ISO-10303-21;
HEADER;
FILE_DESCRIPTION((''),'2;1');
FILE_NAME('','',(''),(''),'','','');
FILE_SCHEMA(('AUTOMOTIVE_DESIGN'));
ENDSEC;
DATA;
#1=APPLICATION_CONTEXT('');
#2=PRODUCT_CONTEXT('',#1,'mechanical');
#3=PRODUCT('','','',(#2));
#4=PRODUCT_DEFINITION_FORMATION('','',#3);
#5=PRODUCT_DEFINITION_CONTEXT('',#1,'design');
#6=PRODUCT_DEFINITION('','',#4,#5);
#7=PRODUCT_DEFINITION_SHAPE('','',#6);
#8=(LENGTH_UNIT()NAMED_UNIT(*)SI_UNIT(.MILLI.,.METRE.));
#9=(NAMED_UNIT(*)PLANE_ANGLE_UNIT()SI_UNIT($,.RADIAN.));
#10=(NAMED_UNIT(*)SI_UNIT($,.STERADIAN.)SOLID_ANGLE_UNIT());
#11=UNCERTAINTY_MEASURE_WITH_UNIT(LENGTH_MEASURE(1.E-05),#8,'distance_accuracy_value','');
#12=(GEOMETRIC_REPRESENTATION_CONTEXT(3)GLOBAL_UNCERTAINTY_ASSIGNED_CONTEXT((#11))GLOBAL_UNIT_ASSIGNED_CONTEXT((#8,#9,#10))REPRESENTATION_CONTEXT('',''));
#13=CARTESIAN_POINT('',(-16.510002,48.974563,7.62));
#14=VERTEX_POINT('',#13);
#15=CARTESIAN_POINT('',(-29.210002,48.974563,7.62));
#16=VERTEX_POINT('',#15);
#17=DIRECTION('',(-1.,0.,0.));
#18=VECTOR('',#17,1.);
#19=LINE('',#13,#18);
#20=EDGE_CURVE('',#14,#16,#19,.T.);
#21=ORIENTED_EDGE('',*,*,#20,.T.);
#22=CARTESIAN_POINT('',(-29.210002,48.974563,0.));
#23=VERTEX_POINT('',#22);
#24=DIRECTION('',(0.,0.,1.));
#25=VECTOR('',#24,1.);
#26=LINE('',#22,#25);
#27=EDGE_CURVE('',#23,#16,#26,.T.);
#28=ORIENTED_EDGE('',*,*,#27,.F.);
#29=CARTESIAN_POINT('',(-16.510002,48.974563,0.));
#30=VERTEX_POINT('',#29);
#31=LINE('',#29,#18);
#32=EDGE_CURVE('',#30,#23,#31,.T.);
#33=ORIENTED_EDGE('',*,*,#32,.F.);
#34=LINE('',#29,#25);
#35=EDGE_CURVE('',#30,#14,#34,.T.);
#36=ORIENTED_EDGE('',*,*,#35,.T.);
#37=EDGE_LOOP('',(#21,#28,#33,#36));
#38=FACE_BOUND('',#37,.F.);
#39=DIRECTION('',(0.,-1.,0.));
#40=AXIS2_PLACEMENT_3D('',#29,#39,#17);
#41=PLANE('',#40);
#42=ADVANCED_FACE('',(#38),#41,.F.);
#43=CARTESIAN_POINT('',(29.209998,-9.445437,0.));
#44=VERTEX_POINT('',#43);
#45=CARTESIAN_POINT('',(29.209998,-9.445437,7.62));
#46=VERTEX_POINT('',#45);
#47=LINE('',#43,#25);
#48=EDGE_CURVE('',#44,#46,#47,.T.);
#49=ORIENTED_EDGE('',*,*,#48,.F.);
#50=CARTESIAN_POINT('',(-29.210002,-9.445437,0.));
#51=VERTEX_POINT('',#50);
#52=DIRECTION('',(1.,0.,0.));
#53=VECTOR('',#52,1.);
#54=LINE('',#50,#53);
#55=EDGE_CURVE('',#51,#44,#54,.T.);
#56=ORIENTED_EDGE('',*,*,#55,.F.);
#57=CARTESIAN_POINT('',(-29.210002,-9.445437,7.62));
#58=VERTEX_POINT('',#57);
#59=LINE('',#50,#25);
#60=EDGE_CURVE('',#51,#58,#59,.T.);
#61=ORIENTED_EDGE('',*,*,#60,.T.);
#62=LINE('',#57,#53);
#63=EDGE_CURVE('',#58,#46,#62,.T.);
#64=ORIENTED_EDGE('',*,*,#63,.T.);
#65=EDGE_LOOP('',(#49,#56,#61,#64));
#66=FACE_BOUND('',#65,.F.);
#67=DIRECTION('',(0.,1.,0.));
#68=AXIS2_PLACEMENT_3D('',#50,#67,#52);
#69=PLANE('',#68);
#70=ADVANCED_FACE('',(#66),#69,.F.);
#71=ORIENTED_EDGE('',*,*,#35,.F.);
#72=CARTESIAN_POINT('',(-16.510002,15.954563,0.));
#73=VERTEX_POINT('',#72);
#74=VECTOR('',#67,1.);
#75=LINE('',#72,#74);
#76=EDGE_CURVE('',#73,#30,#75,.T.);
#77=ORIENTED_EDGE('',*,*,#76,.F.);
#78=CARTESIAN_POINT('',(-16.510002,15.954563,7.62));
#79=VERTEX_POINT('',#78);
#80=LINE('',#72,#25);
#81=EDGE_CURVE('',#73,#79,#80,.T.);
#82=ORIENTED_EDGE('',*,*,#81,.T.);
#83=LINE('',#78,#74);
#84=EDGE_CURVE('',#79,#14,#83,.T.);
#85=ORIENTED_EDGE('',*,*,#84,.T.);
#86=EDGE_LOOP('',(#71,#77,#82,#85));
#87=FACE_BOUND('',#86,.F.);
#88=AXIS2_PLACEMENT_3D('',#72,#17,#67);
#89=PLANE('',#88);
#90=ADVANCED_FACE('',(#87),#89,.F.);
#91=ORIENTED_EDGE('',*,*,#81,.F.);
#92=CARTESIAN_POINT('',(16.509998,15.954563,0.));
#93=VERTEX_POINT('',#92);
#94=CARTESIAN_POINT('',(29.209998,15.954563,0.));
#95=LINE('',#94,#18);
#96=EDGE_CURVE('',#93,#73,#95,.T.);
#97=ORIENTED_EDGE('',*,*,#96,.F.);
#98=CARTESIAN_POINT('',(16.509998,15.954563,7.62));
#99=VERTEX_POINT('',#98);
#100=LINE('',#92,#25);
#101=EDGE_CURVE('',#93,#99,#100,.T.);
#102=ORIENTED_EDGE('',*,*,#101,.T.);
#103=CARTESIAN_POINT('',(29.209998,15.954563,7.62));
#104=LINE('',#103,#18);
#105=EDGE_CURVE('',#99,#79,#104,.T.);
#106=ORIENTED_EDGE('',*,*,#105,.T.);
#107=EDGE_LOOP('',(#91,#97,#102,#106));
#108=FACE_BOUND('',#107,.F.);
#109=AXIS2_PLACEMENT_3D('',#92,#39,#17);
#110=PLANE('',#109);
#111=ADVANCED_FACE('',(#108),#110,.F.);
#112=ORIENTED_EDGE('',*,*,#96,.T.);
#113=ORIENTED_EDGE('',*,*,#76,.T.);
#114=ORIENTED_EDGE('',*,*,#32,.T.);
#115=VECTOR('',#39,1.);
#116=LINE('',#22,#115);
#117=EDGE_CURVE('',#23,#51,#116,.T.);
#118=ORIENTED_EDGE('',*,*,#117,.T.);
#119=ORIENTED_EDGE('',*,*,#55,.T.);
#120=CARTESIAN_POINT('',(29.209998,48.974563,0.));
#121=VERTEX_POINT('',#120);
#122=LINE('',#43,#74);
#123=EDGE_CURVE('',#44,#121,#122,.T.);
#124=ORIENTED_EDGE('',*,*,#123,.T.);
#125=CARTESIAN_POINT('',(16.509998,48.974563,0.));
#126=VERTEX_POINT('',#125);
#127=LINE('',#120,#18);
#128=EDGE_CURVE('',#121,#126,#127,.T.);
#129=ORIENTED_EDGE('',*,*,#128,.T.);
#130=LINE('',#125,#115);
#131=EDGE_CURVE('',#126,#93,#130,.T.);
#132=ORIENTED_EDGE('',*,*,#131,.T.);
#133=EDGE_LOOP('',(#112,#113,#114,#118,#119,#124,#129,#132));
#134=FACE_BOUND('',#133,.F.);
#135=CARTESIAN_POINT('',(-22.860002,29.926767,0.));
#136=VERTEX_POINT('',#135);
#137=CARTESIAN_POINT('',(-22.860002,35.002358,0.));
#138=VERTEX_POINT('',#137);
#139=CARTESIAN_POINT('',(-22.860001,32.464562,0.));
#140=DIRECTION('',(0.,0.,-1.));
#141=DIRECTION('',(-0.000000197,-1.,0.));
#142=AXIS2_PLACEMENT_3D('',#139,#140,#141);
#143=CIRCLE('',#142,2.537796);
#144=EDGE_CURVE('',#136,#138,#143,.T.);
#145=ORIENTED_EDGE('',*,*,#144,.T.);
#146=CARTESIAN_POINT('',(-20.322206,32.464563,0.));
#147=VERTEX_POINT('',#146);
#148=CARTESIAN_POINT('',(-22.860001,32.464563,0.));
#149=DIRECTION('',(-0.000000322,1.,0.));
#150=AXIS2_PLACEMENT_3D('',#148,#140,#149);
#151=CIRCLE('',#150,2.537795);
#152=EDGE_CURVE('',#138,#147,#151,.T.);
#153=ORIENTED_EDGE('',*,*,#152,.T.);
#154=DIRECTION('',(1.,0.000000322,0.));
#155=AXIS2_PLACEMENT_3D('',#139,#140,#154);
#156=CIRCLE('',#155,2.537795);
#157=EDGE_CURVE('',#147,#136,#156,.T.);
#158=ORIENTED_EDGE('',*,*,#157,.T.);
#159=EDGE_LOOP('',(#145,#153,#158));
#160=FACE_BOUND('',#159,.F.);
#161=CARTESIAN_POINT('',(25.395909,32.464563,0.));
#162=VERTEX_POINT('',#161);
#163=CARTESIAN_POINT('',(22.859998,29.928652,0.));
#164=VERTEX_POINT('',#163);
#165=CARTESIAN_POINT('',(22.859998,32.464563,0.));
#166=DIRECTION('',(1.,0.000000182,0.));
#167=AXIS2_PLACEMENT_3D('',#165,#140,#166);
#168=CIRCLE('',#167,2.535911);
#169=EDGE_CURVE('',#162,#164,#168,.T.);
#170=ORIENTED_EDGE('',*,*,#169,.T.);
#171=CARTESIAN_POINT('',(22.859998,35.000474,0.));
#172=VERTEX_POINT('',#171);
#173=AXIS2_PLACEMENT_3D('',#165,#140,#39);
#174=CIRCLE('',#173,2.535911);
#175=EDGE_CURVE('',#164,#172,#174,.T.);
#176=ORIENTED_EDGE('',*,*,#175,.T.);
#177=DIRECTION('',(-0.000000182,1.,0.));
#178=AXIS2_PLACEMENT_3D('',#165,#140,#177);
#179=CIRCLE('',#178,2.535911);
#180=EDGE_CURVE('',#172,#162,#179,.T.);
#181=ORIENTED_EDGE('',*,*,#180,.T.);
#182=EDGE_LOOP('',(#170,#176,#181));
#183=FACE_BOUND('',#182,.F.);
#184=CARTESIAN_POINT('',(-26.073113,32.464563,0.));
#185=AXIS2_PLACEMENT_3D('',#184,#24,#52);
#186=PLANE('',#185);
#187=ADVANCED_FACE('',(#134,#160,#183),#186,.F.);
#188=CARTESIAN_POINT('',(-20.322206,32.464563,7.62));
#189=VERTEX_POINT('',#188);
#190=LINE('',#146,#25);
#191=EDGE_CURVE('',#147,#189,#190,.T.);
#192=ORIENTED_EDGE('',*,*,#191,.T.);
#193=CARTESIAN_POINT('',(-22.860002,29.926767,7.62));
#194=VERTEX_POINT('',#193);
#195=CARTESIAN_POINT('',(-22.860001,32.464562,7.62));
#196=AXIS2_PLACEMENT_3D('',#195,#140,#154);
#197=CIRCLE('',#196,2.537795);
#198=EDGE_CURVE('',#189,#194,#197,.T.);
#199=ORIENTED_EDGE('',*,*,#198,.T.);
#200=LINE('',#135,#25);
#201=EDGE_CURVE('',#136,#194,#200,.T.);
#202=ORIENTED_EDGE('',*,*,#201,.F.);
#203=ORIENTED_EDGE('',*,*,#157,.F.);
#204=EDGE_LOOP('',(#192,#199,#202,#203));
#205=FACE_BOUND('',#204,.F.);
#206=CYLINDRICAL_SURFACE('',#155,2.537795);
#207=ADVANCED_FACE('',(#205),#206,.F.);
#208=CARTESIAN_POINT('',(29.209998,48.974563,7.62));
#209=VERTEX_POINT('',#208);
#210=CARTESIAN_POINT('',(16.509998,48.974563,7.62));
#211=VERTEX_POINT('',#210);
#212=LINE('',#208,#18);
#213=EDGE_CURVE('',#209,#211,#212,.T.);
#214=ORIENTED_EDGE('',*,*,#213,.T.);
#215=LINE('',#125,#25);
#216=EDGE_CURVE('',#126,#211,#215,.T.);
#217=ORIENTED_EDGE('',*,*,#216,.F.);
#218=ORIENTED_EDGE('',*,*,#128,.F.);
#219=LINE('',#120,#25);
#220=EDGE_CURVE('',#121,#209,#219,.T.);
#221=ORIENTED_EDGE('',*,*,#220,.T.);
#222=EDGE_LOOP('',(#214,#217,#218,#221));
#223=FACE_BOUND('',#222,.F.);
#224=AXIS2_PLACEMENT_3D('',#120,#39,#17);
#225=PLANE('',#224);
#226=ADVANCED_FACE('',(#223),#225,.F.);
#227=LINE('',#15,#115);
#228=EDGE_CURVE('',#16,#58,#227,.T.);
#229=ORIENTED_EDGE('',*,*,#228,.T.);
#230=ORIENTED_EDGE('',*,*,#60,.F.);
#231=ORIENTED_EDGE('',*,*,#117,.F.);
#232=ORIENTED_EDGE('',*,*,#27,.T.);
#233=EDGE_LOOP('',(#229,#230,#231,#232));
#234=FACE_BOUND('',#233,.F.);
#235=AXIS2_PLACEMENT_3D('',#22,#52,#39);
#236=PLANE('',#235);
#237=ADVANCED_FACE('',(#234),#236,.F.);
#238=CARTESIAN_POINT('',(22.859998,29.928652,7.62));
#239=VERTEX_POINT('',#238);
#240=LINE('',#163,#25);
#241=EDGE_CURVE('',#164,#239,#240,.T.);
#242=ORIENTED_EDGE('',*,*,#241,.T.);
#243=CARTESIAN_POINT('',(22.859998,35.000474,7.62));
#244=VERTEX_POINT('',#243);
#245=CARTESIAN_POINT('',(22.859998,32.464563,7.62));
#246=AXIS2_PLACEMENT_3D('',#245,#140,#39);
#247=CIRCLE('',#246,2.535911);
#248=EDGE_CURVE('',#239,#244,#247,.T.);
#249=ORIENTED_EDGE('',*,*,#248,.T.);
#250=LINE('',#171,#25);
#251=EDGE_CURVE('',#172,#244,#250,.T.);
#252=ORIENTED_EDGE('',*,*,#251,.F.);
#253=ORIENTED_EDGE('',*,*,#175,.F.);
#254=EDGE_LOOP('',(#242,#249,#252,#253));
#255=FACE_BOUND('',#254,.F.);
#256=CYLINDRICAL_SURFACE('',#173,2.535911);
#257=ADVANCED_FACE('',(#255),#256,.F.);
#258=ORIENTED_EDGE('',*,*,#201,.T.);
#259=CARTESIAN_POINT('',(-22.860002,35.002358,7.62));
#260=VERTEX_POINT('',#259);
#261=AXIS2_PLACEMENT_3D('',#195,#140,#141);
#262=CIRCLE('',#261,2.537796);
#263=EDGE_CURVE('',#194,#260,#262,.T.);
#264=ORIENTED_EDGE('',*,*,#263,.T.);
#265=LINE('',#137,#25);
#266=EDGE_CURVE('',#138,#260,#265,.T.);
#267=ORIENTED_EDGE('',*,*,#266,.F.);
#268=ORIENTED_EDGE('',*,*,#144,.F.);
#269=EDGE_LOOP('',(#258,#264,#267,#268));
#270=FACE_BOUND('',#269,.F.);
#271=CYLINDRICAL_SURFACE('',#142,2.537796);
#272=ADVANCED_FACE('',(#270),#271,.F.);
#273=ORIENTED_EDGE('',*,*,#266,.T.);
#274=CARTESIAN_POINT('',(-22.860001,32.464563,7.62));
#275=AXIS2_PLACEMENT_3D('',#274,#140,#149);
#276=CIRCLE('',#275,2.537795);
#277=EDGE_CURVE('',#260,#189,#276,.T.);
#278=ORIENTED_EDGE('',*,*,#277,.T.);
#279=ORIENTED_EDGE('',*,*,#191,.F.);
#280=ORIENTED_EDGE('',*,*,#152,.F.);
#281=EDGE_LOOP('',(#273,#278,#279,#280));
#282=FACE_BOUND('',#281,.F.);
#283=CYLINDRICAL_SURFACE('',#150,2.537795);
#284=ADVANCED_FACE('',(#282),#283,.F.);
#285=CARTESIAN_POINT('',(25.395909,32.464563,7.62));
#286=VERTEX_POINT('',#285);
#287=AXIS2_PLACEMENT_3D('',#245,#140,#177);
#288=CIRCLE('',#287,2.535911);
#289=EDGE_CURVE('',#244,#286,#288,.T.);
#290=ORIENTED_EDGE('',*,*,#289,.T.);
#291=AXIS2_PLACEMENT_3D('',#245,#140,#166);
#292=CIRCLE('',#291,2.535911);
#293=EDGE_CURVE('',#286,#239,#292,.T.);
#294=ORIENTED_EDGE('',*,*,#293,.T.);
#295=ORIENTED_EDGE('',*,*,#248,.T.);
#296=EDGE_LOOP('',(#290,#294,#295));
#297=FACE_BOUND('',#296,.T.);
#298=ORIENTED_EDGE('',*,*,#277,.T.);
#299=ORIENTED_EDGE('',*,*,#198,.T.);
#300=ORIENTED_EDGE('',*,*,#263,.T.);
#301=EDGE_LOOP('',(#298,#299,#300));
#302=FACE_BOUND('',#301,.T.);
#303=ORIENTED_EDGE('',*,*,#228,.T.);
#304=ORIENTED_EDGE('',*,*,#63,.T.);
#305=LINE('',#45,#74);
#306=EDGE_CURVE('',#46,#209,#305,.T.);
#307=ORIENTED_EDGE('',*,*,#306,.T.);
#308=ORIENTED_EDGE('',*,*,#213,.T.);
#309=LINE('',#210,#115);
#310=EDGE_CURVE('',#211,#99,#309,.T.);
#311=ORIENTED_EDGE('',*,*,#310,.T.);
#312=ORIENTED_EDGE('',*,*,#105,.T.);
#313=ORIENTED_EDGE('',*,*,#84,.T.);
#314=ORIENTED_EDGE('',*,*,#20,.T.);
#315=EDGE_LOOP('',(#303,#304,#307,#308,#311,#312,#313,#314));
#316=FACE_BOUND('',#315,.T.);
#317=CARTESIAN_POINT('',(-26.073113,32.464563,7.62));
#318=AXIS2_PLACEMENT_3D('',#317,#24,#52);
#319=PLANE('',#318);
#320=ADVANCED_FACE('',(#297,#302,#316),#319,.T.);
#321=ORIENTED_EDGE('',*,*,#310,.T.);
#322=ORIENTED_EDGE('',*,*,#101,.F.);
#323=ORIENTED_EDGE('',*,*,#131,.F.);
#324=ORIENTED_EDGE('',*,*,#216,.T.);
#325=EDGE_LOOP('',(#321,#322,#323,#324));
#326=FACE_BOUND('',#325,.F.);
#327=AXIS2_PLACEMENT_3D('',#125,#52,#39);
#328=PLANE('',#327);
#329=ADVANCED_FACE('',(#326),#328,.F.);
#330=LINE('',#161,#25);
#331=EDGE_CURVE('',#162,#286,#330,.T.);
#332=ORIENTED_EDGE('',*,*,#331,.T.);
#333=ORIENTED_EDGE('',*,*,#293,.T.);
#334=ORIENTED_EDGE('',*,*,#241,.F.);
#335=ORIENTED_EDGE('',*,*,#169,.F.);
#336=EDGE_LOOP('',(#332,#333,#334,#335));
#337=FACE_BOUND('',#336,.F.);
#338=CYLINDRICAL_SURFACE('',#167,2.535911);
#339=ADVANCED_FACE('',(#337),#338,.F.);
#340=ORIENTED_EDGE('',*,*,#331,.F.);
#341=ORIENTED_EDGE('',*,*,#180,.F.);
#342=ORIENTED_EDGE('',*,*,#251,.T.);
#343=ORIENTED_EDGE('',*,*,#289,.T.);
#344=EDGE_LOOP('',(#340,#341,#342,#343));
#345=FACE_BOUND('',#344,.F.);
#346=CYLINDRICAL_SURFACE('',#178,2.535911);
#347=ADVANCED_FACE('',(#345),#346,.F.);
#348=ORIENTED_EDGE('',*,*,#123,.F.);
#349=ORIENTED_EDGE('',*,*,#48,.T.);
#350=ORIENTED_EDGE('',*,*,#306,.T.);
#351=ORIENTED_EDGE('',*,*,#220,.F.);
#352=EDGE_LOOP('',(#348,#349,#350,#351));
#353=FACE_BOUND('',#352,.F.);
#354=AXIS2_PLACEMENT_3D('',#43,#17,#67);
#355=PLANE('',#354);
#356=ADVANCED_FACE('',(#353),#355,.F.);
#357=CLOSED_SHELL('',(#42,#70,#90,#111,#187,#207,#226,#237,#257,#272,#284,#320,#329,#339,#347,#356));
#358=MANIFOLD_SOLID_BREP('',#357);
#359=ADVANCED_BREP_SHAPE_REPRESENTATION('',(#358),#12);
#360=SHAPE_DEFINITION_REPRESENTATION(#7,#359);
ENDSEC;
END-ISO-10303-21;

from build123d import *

# Parameters (mm, degrees)
F1_DEPTH = 7.62


with BuildPart() as f1:
    # F0 (on Top) → F1 (new body)
    with BuildSketch(Plane.XY):
        with BuildLine():
            Line((-29.210002, 48.974563), (-29.210002, 15.954563))
            Line((-29.210002, 15.954563), (-22.860002, 15.954563))
            Line((-22.860002, 15.954563), (-22.860002, 29.926767))
            ThreePointArc((-22.860002, 29.926767), (-25.397797, 32.464563), (-22.860002, 35.002358))
            Line((-22.860002, 35.002358), (-22.860002, 48.974563))
            Line((-22.860002, 48.974563), (-29.210002, 48.974563))
        make_face()
        Polygon((-22.860002, 15.954563), (-29.210002, 15.954563), (-29.210002, -9.445437), (29.209998, -9.445437), (29.209998, 15.954563), (22.859998, 15.954563), (16.509998, 15.954563), (-16.510002, 15.954563), align=None)
        with BuildLine():
            Line((-22.860002, 29.926767), (-22.860002, 15.954563))
            Line((-22.860002, 15.954563), (-16.510002, 15.954563))
            Line((-16.510002, 15.954563), (-16.510002, 48.974563))
            Line((-16.510002, 48.974563), (-22.860002, 48.974563))
            Line((-22.860002, 48.974563), (-22.860002, 35.002358))
            ThreePointArc((-22.860002, 35.002358), (-21.065509, 34.259055), (-20.322206, 32.464563))
            ThreePointArc((-20.322206, 32.464563), (-21.065509, 30.67007), (-22.860002, 29.926767))
        make_face()
        with BuildLine():
            Line((16.509998, 48.974563), (16.509998, 15.954563))
            Line((16.509998, 15.954563), (22.859998, 15.954563))
            Line((22.859998, 15.954563), (22.859998, 29.928652))
            ThreePointArc((22.859998, 29.928652), (20.324087, 32.464563), (22.859998, 35.000474))
            Line((22.859998, 35.000474), (22.859998, 48.974563))
            Line((22.859998, 48.974563), (16.509998, 48.974563))
        make_face()
        with BuildLine():
            Line((22.859998, 15.954563), (29.209998, 15.954563))
            Line((29.209998, 15.954563), (29.209998, 48.974563))
            Line((29.209998, 48.974563), (22.859998, 48.974563))
            Line((22.859998, 48.974563), (22.859998, 35.000474))
            ThreePointArc((22.859998, 35.000474), (24.653158, 34.257723), (25.395909, 32.464563))
            ThreePointArc((25.395909, 32.464563), (24.653158, 30.671403), (22.859998, 29.928652))
            Line((22.859998, 29.928652), (22.859998, 15.954563))
        make_face()
    extrude(amount=F1_DEPTH)


solid = f1.part
